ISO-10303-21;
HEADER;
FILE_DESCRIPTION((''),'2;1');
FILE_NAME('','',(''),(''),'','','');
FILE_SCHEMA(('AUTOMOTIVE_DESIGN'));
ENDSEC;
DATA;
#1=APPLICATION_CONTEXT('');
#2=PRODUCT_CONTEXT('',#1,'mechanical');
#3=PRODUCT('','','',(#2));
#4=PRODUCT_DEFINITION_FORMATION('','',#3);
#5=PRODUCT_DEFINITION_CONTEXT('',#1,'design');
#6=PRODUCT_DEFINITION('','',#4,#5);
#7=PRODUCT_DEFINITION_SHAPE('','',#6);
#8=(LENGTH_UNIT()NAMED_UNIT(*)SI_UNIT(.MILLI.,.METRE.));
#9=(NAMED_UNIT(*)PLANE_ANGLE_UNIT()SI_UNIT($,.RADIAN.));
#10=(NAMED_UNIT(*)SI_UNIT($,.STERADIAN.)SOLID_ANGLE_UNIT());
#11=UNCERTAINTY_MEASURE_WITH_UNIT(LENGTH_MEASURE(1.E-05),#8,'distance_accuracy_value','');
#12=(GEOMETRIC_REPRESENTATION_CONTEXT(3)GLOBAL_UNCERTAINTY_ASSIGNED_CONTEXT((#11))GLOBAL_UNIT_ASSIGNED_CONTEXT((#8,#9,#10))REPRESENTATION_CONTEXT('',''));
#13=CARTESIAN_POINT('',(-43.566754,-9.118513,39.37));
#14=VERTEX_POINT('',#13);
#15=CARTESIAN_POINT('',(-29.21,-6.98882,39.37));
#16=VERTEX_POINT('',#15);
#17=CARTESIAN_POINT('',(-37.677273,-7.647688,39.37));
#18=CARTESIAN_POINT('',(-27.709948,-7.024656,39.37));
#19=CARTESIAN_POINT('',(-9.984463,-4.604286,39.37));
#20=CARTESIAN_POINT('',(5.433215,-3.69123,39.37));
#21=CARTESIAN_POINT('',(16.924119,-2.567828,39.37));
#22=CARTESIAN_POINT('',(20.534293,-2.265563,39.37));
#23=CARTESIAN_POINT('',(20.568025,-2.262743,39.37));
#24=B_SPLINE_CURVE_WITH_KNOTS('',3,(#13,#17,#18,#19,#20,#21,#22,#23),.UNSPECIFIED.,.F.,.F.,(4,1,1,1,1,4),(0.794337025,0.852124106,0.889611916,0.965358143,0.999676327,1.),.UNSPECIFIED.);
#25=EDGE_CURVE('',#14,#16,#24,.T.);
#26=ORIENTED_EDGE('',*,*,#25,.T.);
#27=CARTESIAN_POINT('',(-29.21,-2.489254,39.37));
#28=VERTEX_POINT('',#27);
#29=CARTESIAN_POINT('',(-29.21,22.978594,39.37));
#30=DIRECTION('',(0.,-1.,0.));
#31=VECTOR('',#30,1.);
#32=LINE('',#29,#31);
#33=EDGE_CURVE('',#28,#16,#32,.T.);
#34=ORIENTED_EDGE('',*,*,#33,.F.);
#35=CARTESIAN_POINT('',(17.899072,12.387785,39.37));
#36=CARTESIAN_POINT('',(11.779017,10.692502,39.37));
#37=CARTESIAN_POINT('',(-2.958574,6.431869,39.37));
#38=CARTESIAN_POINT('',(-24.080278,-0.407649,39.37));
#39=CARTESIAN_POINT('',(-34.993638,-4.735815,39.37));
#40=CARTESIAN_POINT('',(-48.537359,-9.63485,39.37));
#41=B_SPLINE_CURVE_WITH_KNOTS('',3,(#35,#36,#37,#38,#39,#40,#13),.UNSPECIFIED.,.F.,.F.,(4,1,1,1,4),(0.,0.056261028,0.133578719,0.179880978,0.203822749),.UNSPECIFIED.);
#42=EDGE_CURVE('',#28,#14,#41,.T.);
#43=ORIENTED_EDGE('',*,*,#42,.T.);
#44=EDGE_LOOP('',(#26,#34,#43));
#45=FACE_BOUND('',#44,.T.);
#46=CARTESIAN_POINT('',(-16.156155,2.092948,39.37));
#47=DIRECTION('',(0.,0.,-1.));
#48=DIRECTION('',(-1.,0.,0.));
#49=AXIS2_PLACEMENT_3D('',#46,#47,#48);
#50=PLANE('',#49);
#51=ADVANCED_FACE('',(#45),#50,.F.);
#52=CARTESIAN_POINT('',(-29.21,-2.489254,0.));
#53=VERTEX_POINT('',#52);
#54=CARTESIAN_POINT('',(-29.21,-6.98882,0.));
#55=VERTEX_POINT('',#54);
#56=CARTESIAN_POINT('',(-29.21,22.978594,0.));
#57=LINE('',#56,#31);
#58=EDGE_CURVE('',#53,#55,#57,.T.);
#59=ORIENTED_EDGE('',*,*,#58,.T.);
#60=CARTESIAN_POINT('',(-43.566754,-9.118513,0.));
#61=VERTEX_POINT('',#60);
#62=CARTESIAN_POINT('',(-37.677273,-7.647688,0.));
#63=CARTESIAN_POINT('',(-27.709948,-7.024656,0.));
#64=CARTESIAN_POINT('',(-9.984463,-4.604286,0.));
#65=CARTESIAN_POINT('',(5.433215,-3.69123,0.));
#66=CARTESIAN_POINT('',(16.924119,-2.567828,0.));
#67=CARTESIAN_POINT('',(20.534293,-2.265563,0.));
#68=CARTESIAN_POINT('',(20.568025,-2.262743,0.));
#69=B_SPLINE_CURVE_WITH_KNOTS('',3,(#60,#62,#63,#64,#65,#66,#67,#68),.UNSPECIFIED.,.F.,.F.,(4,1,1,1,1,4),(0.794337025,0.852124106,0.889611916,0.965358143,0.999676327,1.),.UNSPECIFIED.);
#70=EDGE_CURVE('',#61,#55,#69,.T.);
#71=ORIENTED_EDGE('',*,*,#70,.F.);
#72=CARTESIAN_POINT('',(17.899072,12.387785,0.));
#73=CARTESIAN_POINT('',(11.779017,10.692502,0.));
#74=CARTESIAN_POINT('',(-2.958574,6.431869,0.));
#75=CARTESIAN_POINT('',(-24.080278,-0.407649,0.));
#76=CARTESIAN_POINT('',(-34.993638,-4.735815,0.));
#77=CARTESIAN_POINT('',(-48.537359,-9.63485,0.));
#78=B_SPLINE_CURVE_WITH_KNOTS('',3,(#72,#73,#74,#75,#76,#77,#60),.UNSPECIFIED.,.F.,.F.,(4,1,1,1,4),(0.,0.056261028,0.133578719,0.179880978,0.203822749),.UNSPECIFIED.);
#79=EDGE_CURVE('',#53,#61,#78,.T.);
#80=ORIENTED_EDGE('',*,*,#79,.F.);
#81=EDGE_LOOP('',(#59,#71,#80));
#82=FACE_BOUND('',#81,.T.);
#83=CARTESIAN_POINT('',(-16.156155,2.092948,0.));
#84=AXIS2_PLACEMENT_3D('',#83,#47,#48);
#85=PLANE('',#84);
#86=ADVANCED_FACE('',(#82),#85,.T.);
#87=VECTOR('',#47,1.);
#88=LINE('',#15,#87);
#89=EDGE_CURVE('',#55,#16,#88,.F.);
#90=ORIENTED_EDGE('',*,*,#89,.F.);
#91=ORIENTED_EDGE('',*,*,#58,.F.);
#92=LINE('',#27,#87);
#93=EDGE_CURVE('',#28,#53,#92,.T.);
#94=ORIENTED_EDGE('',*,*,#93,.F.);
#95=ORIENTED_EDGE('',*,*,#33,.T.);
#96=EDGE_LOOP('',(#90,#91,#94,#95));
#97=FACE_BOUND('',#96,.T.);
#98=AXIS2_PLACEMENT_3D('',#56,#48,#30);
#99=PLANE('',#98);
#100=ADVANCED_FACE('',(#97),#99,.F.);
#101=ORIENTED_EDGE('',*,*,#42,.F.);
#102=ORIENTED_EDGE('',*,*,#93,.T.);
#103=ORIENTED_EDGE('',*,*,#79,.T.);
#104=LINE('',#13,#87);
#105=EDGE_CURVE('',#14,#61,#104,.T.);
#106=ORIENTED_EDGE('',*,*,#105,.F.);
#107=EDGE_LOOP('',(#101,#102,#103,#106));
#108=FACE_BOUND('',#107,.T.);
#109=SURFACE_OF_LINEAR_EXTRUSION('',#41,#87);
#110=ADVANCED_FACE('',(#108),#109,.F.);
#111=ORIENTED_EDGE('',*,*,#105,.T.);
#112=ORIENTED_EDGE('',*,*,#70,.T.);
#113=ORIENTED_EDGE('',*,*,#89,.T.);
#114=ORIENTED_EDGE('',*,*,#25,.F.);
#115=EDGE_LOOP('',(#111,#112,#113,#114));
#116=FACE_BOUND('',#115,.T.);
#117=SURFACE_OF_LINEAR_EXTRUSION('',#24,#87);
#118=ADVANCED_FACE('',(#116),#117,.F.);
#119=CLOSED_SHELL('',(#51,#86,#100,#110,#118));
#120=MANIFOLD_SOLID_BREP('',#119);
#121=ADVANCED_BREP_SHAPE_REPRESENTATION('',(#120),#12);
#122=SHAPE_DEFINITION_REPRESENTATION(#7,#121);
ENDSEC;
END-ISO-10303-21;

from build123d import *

# Parameters (mm, degrees)
SKETCH1_R               = 2.032
BOSS_EXTRUDE1_DEPTH     = 39.37
CUT_EXTRUDE2_DEPTH      = 62.664828162
CUT_EXTRUDE2_DEPTH_BACK = 62.664828162
SKETCH3_W               = 64.931431168
SKETCH3_H               = 41.251540677


with BuildPart() as part:
    # Sketch1 → Boss-Extrude1 (new body)
    with BuildSketch(Plane.XY):
        with BuildLine():
            ThreePointArc((20.568025107, -2.262743193), (25.492605461, 0.119444869), (27.551899423, 5.187543131))
            ThreePointArc((27.551899423, 5.187543131), (24.489282859, 11.152254923), (17.899072442, 12.38778462))
            add(Edge.make_bspline(
                [(17.899072442, 12.38778462), (11.779016726, 10.69250234), (-2.958574168, 6.431868525), (-24.080278159, -0.407648755), (-34.99363821, -4.735815006), (-48.537358713, -9.634849887), (-43.566754384, -9.118513058)],
                knots=[0, 0, 0, 0, 0.056261028, 0.133578719, 0.179880978, 0.203822749, 0.203822749, 0.203822749, 0.203822749], degree=3))
            add(Edge.make_bspline(
                [(-43.566754384, -9.118513058), (-37.677273054, -7.647687935), (-27.709948033, -7.024655832), (-9.984463479, -4.604286441), (5.433214693, -3.691229751), (16.924119008, -2.567827505), (20.534293367, -2.265562996), (20.568025107, -2.262743193)],
                knots=[0.794337025, 0.794337025, 0.794337025, 0.794337025, 0.852124106, 0.889611916, 0.965358143, 0.999676327, 1, 1, 1, 1], degree=3))
        make_face()
        with Locations((19.933245616, 5.044315447)):
            Circle(SKETCH1_R, mode=Mode.SUBTRACT)
    extrude(amount=BOSS_EXTRUDE1_DEPTH)

    # Sketch3 → Cut-Extrude2 (cut, two sides: drawn at the far end of the back side and taken through both)
    with BuildSketch(Plane.XY.offset(39.37).offset(-CUT_EXTRUDE2_DEPTH_BACK)):
        with Locations((3.255715584, 2.352823332)):
            Rectangle(SKETCH3_W, SKETCH3_H)
    extrude(amount=CUT_EXTRUDE2_DEPTH + CUT_EXTRUDE2_DEPTH_BACK, mode=Mode.SUBTRACT)


solid = part.part
